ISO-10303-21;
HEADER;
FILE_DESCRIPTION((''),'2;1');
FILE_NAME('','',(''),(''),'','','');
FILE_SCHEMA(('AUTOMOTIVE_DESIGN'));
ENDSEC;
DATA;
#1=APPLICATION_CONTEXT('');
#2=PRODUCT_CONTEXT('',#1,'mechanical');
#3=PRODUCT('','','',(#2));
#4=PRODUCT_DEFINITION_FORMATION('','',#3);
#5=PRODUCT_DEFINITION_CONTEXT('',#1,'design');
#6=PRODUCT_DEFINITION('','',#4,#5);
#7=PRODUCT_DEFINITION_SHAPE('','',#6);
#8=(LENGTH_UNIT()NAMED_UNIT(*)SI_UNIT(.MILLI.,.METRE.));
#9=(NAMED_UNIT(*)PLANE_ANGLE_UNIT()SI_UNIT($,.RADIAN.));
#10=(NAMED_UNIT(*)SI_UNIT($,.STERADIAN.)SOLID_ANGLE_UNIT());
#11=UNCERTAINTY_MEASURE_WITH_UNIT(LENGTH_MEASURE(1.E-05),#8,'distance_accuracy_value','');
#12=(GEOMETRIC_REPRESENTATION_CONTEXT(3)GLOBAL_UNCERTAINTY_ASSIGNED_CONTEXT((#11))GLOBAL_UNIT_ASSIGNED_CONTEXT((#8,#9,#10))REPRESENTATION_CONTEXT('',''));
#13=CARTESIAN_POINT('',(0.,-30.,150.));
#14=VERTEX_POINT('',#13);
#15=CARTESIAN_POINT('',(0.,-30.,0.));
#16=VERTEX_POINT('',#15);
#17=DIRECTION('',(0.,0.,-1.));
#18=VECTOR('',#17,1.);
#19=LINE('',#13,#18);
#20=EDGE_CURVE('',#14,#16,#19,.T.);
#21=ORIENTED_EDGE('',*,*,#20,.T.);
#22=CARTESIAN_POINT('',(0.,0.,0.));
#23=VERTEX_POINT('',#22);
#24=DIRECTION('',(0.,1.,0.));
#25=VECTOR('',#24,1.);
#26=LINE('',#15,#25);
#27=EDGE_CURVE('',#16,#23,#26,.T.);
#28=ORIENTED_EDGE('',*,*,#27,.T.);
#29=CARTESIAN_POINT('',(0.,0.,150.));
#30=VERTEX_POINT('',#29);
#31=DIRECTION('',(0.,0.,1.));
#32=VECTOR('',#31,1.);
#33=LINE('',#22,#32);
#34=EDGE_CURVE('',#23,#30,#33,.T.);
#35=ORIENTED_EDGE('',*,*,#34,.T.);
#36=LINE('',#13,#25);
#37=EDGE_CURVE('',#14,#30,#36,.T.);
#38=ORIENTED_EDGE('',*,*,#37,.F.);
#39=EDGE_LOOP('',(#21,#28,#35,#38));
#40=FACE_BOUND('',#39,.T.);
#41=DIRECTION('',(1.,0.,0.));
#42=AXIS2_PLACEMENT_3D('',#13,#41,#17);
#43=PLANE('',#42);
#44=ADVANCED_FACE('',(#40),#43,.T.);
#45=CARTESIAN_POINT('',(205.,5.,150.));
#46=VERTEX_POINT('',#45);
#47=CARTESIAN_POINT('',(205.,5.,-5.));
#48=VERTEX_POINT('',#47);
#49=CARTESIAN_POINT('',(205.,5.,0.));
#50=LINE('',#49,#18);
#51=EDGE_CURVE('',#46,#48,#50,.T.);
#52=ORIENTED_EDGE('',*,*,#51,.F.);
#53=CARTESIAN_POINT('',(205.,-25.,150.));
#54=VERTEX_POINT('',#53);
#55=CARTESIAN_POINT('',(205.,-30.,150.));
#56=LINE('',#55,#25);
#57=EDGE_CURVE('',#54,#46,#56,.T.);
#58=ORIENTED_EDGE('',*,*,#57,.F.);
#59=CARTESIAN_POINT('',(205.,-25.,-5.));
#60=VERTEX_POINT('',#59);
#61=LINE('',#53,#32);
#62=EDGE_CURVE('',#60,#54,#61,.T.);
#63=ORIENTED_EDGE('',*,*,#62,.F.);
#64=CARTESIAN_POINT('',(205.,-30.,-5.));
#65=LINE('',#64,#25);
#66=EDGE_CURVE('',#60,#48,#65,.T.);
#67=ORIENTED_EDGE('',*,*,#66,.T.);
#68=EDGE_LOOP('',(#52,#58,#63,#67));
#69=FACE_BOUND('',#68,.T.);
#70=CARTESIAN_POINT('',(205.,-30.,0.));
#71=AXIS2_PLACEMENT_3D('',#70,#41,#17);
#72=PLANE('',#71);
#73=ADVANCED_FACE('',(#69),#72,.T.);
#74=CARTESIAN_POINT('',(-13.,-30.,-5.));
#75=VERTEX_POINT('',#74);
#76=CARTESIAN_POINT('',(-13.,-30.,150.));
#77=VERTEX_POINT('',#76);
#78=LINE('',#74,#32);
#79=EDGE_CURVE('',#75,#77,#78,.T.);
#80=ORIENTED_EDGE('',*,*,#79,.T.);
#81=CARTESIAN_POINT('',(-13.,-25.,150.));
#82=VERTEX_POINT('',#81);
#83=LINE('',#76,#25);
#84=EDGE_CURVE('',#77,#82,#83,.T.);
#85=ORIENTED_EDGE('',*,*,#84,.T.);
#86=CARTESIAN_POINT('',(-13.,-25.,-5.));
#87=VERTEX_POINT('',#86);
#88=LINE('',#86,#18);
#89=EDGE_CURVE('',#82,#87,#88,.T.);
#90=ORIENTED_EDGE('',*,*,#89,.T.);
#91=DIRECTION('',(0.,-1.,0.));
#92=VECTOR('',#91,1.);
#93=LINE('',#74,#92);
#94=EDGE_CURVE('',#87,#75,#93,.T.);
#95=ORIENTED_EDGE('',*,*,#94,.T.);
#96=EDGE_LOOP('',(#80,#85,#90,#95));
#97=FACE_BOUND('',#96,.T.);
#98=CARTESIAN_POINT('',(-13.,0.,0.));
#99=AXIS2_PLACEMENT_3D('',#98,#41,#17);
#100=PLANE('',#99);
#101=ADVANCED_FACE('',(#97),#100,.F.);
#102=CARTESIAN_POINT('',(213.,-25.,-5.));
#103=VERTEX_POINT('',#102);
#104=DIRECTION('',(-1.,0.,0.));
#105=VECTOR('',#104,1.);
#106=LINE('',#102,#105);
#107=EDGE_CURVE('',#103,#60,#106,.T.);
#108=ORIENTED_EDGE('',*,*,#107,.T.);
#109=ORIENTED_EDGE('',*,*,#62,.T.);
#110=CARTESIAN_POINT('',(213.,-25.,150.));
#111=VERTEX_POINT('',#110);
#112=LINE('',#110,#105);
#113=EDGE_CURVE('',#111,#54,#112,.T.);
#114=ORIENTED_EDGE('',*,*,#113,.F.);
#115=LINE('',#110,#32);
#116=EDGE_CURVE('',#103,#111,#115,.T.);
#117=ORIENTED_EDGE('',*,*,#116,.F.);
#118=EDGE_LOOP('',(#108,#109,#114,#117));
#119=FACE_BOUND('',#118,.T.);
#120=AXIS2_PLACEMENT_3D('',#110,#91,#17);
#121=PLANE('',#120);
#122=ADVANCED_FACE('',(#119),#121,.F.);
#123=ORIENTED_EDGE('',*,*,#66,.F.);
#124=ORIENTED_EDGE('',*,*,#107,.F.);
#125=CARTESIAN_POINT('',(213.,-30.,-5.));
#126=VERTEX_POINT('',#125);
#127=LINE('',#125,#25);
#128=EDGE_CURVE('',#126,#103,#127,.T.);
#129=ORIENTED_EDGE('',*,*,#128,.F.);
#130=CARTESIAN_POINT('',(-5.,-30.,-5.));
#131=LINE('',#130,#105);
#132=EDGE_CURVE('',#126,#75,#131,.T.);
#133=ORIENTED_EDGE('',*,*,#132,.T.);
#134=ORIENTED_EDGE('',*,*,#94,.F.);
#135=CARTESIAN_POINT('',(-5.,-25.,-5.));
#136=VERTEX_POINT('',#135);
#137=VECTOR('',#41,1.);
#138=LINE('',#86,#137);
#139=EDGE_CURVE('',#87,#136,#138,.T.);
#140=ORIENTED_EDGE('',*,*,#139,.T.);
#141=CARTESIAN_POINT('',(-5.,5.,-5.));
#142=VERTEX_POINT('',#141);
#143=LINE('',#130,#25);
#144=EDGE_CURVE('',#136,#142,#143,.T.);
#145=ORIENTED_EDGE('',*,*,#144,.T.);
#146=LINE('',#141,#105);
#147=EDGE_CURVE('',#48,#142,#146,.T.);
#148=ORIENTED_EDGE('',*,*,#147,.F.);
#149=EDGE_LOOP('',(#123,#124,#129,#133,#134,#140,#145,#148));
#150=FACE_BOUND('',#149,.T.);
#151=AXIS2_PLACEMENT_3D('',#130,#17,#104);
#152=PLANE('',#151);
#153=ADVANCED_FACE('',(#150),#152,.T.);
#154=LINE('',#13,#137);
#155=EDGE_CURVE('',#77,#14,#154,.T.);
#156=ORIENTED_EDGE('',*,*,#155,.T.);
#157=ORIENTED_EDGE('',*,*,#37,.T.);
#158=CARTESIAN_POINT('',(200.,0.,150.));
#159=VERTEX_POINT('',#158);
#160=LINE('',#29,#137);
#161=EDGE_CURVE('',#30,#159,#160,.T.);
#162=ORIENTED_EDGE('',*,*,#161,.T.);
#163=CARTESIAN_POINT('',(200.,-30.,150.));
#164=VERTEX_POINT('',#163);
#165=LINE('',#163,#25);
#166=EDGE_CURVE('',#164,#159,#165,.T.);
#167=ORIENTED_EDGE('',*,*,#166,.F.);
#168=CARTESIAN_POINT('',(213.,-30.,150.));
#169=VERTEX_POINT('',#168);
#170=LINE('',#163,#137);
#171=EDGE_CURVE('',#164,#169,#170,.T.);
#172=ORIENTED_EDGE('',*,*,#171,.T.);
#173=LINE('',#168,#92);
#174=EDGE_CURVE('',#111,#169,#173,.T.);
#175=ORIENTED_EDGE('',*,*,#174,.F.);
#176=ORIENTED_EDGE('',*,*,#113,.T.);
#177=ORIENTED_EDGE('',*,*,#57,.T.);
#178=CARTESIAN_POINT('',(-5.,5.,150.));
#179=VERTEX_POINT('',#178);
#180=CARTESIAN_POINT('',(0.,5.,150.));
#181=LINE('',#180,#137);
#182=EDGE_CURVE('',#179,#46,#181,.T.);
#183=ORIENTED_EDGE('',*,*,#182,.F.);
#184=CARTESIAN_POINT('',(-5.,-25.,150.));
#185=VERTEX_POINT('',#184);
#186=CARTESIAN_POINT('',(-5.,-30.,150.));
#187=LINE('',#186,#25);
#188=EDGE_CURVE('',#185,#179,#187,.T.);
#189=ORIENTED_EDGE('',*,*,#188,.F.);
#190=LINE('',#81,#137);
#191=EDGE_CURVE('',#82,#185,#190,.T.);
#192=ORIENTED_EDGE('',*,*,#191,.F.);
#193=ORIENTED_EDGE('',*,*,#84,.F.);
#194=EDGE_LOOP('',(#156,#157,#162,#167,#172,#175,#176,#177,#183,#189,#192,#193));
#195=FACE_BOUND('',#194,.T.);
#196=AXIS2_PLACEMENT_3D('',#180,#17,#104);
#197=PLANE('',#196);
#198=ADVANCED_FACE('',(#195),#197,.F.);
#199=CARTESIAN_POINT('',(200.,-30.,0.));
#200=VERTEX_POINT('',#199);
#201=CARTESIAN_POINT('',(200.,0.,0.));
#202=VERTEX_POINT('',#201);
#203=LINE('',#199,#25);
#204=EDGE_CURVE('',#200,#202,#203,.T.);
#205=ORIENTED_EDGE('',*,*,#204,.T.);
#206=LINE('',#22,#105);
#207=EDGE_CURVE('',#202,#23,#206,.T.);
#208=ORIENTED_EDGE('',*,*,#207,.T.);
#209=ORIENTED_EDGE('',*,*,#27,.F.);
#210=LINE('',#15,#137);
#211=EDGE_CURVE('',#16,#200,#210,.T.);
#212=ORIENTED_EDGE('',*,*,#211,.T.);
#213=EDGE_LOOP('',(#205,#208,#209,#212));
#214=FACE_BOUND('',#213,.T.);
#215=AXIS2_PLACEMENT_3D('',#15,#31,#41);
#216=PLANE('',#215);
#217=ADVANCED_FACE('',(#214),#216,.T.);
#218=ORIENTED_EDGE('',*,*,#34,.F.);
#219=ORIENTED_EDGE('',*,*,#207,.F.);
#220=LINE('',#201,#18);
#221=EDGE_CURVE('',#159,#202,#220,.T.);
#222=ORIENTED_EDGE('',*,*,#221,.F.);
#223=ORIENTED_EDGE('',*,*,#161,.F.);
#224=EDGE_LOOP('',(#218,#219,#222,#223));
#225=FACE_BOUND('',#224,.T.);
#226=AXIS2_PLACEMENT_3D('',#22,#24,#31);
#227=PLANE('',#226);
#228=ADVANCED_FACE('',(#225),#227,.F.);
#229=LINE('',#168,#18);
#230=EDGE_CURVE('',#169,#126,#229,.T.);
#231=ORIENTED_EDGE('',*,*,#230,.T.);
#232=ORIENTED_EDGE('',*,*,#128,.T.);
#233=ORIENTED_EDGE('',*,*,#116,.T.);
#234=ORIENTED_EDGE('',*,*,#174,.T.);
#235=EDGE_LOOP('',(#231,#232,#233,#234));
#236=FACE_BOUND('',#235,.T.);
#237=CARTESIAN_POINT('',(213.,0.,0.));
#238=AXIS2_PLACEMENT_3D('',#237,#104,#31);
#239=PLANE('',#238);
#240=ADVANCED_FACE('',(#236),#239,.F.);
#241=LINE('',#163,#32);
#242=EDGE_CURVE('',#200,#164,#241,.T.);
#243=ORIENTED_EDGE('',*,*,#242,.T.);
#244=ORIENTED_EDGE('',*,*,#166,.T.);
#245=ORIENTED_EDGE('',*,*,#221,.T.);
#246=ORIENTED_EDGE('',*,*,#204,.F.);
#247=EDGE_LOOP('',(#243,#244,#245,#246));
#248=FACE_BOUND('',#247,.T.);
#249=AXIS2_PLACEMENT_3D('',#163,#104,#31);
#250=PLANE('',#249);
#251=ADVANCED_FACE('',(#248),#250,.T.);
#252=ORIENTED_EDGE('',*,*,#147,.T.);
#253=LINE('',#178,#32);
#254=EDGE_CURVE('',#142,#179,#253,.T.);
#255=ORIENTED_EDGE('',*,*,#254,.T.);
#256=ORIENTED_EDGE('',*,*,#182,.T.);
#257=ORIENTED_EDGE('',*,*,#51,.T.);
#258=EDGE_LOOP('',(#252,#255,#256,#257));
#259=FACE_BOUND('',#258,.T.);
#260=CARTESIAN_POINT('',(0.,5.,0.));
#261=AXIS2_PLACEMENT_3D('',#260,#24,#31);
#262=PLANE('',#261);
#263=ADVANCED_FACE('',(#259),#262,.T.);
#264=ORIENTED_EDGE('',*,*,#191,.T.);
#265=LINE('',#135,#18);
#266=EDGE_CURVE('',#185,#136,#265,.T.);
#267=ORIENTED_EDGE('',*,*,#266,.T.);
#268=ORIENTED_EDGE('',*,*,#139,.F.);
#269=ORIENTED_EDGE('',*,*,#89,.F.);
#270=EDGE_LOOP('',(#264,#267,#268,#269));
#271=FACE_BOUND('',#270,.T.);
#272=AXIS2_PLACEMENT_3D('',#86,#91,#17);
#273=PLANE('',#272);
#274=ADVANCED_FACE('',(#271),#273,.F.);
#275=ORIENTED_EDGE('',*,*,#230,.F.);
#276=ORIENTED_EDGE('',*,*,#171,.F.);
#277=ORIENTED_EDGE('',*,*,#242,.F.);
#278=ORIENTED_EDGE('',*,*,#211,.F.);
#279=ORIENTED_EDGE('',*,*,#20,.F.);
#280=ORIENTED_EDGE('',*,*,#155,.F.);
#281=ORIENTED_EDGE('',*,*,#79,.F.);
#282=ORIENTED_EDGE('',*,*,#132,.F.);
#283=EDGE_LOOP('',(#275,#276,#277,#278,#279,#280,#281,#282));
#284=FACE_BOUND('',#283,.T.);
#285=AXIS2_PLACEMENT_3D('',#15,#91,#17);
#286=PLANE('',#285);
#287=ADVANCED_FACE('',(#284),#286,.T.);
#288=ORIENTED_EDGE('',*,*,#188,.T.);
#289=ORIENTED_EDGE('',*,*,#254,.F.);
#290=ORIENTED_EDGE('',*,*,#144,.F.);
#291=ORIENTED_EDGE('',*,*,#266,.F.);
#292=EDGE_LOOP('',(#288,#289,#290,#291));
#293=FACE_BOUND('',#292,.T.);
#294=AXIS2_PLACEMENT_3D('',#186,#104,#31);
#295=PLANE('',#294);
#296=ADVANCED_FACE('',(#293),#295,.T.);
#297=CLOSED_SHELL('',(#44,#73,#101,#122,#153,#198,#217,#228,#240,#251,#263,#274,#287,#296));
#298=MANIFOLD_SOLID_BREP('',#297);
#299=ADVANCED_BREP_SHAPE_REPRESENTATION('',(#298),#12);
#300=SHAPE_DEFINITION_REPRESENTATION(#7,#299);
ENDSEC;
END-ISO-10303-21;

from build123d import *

# Parameters (mm, degrees)
SKETCH1_W           = 200
SKETCH1_H           = 150
BOSS_EXTRUDE1_DEPTH = 5
BOSS_EXTRUDE2_DEPTH = 35
SKETCH4_W           = 155
SKETCH4_H           = 5
BOSS_EXTRUDE3_DEPTH = 8
SKETCH5_W           = 155
SKETCH5_H           = 5
BOSS_EXTRUDE4_DEPTH = 8


with BuildPart() as part:
    # Sketch1 → Boss-Extrude1 (new body)
    with BuildSketch(Plane(origin=(0, 0, 0), x_dir=(1, 0, 0), z_dir=(0, 1, 0))):
        with Locations((100, -75)):
            Rectangle(SKETCH1_W, SKETCH1_H)
    extrude(amount=BOSS_EXTRUDE1_DEPTH)

    # Sketch2 → Boss-Extrude2 (add)
    with BuildSketch(Plane(origin=(0, 5, 0), x_dir=(1, 0, 0), z_dir=(0, 1, 0))):
        Polygon((0, -150), (-5, -150), (-5, 0), (-5, 5), (205, 5), (205, 0), (205, -150), (200, -150), (200, 0), (0, 0), align=None)
    extrude(amount=-BOSS_EXTRUDE2_DEPTH)

    # Sketch4 → Boss-Extrude3 (add)
    with BuildSketch(Plane(origin=(205, 0, 0), x_dir=(0, 0, -1), z_dir=(1, 0, 0))):
        with Locations((-72.5, -27.5)):
            Rectangle(SKETCH4_W, SKETCH4_H)
    extrude(amount=BOSS_EXTRUDE3_DEPTH)

    # Sketch5 → Boss-Extrude4 (add)
    with BuildSketch(Plane.ZY.offset(5)):
        with Locations((72.5, -27.5)):
            Rectangle(SKETCH5_W, SKETCH5_H)
    extrude(amount=BOSS_EXTRUDE4_DEPTH)


solid = part.part
